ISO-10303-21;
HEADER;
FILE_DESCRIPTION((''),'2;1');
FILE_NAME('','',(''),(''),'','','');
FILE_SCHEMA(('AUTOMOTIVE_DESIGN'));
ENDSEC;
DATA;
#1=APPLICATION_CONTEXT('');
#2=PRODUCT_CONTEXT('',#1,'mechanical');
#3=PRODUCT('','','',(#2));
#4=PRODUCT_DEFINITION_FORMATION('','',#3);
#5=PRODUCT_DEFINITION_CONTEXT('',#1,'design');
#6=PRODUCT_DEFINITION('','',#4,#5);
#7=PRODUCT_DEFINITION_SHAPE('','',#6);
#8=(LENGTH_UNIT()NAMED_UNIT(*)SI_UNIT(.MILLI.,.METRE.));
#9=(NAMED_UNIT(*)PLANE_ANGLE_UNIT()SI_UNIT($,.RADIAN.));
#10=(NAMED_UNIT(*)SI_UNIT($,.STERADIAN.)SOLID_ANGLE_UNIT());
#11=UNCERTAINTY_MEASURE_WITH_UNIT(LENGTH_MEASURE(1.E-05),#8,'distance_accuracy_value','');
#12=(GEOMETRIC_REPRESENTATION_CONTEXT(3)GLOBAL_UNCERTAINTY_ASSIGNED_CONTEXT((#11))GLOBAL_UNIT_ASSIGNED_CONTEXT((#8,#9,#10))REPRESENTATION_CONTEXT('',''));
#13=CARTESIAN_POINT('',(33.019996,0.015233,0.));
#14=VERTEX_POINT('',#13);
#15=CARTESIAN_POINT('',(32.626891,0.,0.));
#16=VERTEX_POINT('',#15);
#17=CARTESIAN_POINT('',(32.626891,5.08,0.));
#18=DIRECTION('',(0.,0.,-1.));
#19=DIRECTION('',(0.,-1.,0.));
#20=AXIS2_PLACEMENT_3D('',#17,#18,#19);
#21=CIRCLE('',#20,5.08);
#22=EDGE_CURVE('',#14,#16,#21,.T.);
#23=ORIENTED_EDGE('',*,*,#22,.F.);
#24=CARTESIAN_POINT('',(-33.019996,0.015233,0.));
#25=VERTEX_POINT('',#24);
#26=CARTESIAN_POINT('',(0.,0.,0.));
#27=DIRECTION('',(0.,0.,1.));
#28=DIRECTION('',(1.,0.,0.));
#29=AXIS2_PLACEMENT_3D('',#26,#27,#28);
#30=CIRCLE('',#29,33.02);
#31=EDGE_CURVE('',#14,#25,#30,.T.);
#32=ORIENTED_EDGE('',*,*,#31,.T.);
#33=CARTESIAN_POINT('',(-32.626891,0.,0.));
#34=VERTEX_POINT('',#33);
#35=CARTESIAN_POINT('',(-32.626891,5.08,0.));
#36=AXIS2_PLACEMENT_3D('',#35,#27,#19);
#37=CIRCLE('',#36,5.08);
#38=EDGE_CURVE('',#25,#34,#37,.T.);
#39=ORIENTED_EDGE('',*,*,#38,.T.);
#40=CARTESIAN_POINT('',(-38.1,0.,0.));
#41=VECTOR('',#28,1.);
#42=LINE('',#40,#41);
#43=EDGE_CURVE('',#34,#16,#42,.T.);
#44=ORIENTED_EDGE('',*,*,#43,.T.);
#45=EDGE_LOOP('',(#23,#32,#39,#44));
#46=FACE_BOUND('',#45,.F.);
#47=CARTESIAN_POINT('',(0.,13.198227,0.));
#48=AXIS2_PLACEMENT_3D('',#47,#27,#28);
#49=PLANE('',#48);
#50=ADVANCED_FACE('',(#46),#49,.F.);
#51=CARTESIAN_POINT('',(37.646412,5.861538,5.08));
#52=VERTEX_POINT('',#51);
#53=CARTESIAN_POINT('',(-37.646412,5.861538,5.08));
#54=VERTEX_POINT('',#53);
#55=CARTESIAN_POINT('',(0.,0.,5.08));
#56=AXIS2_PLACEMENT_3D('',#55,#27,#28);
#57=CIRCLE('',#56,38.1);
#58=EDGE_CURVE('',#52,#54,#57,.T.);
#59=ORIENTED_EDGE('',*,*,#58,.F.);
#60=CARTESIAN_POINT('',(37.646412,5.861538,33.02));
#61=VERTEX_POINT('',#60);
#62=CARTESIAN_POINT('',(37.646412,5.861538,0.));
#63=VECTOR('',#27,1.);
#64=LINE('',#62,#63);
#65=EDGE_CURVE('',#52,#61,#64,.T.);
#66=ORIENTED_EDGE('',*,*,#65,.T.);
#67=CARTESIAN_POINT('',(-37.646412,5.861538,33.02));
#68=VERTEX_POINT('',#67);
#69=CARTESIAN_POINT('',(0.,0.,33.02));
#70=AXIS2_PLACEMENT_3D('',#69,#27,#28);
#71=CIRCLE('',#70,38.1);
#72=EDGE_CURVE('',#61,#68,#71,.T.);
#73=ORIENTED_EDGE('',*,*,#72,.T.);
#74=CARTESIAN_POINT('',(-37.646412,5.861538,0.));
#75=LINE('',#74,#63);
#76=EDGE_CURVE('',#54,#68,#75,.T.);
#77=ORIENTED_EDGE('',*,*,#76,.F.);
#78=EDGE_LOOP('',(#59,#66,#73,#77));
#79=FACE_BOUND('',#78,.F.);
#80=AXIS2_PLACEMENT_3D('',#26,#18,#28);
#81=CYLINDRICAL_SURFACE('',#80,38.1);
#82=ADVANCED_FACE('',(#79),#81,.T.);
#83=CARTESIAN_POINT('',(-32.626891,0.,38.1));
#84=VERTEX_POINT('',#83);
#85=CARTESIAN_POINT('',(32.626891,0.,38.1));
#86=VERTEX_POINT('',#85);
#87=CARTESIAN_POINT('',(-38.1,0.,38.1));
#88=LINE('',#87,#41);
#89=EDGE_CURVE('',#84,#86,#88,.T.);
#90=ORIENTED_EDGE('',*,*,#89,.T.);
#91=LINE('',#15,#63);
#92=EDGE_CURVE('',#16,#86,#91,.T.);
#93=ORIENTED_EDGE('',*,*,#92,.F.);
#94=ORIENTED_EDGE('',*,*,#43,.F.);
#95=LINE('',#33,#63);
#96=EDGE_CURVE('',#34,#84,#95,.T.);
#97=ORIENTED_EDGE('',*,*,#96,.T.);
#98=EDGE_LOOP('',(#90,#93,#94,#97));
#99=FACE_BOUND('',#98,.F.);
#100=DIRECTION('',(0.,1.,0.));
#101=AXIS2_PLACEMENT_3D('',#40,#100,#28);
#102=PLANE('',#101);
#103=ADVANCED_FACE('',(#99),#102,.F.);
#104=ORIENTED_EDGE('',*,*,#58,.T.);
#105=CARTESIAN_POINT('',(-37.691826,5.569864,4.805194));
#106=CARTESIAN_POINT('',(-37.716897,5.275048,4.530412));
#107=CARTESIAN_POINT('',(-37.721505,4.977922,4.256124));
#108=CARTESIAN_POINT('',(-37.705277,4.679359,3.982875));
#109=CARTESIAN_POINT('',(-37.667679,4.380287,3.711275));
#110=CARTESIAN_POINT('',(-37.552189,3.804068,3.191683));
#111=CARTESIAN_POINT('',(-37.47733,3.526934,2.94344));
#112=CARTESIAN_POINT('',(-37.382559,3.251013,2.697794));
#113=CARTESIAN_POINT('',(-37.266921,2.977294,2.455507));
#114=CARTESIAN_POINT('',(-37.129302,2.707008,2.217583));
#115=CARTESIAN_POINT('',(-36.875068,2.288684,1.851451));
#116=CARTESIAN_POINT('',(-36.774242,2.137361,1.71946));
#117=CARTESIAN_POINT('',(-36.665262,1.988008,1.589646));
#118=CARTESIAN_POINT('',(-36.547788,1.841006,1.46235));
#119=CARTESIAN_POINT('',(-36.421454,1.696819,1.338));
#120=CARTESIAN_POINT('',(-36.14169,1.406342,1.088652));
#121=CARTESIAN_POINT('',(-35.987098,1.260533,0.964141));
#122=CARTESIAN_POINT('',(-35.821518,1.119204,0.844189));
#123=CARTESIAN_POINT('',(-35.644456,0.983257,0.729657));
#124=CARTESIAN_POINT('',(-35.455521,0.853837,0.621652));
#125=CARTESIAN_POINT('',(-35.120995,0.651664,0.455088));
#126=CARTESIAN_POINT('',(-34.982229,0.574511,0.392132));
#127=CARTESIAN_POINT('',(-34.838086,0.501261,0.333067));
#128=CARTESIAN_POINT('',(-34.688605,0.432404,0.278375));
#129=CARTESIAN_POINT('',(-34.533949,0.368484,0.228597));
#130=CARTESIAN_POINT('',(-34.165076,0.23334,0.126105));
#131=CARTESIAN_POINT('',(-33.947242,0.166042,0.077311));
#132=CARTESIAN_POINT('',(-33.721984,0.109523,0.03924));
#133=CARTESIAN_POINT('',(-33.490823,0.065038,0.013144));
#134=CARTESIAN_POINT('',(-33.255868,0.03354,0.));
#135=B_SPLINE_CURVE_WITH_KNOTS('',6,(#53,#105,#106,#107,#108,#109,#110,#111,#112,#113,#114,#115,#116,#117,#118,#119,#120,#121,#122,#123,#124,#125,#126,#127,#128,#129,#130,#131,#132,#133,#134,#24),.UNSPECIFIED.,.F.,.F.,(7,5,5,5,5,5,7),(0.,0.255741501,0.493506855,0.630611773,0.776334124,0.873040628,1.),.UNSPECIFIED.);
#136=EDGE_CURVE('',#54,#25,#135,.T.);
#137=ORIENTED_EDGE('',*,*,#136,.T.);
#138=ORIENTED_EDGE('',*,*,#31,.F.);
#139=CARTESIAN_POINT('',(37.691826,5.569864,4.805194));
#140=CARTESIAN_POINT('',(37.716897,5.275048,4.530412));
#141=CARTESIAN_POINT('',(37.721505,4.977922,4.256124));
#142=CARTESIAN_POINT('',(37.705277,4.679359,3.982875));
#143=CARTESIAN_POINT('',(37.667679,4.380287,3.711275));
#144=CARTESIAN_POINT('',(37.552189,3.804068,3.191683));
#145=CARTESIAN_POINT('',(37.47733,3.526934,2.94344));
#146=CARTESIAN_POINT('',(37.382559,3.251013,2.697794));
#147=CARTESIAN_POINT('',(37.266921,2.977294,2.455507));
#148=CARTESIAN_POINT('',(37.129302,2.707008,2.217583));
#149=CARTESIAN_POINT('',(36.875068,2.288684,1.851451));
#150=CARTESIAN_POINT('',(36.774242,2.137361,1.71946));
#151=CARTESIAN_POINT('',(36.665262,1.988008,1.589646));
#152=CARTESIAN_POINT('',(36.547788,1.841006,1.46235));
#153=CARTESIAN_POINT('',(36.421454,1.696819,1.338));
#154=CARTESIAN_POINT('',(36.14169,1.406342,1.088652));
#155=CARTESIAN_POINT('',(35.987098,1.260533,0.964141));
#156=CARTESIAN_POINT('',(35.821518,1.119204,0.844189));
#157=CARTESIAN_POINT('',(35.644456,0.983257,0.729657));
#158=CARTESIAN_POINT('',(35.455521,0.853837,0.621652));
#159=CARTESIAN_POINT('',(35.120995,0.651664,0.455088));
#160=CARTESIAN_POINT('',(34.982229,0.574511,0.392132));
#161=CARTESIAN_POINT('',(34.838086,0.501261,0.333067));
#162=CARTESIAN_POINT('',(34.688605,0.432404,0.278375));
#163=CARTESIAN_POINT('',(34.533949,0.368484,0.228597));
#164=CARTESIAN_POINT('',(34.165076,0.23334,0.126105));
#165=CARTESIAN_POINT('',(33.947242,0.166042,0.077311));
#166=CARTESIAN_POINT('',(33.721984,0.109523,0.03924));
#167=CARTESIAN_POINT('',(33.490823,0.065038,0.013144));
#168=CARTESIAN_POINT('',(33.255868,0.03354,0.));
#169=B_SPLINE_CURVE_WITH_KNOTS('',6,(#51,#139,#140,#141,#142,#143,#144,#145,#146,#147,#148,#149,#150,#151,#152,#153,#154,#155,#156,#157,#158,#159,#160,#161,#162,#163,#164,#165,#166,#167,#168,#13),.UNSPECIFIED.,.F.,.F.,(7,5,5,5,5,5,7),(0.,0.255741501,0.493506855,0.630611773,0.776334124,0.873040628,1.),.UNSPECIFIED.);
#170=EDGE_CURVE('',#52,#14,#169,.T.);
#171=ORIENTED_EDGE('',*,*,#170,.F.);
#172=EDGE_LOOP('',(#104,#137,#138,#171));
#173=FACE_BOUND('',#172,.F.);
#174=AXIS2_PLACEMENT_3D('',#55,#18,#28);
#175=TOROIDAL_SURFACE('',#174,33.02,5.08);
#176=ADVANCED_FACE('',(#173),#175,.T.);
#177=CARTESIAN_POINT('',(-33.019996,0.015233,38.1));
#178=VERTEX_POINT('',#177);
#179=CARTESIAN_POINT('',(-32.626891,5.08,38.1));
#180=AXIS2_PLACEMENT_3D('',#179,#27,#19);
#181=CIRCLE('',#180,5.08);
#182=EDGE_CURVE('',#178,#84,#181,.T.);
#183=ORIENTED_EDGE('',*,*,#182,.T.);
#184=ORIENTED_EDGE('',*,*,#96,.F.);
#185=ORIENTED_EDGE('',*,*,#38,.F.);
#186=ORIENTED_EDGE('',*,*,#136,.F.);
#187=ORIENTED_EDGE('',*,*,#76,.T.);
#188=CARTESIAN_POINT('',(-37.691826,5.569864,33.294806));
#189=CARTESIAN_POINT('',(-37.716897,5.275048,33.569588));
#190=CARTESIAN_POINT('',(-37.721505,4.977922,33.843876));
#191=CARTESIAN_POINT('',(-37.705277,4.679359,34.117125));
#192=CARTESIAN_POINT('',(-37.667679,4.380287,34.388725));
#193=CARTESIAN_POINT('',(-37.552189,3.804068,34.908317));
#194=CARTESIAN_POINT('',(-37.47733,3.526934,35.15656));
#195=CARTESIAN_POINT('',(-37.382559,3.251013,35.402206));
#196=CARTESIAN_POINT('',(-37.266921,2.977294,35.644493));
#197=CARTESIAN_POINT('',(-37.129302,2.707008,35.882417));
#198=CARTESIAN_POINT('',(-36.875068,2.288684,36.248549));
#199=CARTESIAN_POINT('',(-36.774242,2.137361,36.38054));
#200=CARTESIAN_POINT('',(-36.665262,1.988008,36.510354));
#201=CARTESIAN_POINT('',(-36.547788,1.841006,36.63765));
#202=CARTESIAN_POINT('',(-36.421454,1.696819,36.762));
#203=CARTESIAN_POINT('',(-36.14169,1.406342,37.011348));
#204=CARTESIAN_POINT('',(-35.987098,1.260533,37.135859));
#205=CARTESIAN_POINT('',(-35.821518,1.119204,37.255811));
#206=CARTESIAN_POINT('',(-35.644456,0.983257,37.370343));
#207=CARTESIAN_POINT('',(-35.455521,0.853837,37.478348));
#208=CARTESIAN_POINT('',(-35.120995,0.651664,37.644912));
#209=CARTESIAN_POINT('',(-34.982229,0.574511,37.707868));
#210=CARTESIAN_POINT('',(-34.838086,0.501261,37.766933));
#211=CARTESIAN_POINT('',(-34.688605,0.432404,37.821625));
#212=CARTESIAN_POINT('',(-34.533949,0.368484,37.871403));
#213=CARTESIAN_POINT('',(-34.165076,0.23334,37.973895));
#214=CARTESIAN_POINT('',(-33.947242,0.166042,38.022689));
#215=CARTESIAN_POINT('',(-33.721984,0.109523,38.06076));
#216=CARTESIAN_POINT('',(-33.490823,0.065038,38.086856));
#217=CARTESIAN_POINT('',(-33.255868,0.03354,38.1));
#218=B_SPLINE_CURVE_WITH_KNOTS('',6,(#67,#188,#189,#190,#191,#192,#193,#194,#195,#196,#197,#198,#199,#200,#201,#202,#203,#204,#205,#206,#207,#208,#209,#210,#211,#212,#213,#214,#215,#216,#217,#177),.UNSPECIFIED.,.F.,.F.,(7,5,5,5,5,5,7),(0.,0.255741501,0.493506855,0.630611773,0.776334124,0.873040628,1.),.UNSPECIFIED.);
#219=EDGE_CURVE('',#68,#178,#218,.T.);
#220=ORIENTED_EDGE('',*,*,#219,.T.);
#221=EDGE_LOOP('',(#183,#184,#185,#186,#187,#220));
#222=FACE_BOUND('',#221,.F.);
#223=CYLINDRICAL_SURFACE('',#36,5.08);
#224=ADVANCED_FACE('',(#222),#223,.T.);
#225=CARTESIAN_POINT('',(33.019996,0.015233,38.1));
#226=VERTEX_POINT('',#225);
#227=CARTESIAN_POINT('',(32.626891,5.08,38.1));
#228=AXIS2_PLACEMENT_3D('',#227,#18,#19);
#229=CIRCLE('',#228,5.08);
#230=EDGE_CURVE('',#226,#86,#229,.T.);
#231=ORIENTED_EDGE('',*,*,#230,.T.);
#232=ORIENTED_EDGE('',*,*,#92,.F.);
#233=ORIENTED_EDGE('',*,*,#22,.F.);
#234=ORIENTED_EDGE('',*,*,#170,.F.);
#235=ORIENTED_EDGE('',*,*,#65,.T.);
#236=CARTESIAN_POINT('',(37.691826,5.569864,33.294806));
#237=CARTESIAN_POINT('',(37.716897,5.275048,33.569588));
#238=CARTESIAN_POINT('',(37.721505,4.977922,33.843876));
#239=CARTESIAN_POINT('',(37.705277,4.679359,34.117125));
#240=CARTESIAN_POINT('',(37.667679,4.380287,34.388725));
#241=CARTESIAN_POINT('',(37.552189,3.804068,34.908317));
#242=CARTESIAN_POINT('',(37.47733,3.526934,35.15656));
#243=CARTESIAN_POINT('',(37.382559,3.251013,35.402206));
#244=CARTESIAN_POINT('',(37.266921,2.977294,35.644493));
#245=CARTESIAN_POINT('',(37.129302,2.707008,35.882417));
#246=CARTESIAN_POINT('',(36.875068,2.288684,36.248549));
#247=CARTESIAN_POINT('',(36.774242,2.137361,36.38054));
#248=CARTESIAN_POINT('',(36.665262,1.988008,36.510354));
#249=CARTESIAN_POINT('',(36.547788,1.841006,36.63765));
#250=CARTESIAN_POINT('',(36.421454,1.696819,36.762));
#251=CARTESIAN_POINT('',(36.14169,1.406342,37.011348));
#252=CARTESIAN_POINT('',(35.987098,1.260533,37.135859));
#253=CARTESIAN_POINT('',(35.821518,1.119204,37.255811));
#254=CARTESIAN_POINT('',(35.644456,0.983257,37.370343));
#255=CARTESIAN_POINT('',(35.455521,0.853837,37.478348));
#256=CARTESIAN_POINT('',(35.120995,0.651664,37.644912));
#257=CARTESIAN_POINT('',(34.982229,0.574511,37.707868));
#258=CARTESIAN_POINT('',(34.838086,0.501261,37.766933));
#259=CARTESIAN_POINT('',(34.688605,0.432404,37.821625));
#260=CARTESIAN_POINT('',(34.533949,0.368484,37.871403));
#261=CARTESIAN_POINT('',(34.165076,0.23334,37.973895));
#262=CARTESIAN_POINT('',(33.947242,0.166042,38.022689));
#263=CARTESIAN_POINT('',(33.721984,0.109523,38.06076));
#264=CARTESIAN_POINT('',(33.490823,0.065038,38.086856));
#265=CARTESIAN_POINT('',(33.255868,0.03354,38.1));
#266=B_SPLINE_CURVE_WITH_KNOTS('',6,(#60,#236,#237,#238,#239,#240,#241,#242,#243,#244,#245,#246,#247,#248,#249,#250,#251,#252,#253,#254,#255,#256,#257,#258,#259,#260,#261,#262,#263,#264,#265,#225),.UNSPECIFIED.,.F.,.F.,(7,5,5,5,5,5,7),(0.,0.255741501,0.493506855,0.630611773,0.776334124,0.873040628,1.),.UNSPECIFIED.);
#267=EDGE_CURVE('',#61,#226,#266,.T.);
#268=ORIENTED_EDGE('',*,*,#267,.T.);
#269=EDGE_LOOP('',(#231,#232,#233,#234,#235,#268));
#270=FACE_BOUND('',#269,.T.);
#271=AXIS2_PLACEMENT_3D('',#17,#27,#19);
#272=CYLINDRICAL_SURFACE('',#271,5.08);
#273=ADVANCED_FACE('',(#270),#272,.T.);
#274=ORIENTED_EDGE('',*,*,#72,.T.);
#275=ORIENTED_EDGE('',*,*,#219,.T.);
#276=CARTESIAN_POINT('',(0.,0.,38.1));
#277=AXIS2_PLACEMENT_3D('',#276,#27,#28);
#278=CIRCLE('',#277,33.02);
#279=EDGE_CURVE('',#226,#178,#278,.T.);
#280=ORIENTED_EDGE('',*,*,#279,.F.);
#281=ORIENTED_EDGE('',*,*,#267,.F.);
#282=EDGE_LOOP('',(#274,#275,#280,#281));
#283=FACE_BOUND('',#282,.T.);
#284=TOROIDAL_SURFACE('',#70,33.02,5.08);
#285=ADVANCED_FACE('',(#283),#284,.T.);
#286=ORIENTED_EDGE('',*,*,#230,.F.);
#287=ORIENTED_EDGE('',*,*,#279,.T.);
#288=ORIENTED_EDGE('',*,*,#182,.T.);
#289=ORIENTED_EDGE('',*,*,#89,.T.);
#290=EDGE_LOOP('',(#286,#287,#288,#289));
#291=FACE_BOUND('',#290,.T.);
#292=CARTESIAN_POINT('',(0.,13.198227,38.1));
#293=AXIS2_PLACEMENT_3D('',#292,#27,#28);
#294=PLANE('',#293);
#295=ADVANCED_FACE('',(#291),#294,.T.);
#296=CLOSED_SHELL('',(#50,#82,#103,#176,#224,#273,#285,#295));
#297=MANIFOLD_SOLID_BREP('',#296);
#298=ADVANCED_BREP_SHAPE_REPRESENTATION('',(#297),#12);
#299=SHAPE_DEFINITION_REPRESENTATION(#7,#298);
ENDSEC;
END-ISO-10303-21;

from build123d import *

# Parameters (mm, degrees)
F1_DEPTH = 38.1
F2_R     = 5.08


with BuildPart() as f1:
    # F0 (on Top) → F1 (new body)
    with BuildSketch(Plane.XY):
        with BuildLine():
            Line((-38.1, 0), (38.1, 0))
            ThreePointArc((38.1, 0), (0, 38.1), (-38.1, 0))
        make_face()
    extrude(amount=F1_DEPTH)

    # F2
    f2_edges = [f1.edges().sort_by_distance(p)[0] for p in [
        (0, 38.1, 38.1),
        (38.1, 0, 19.05),
        (-38.1, 0, 19.05),
        (0, 38.1, 0),
    ]]
    fillet(f2_edges, radius=F2_R)


solid = f1.part
